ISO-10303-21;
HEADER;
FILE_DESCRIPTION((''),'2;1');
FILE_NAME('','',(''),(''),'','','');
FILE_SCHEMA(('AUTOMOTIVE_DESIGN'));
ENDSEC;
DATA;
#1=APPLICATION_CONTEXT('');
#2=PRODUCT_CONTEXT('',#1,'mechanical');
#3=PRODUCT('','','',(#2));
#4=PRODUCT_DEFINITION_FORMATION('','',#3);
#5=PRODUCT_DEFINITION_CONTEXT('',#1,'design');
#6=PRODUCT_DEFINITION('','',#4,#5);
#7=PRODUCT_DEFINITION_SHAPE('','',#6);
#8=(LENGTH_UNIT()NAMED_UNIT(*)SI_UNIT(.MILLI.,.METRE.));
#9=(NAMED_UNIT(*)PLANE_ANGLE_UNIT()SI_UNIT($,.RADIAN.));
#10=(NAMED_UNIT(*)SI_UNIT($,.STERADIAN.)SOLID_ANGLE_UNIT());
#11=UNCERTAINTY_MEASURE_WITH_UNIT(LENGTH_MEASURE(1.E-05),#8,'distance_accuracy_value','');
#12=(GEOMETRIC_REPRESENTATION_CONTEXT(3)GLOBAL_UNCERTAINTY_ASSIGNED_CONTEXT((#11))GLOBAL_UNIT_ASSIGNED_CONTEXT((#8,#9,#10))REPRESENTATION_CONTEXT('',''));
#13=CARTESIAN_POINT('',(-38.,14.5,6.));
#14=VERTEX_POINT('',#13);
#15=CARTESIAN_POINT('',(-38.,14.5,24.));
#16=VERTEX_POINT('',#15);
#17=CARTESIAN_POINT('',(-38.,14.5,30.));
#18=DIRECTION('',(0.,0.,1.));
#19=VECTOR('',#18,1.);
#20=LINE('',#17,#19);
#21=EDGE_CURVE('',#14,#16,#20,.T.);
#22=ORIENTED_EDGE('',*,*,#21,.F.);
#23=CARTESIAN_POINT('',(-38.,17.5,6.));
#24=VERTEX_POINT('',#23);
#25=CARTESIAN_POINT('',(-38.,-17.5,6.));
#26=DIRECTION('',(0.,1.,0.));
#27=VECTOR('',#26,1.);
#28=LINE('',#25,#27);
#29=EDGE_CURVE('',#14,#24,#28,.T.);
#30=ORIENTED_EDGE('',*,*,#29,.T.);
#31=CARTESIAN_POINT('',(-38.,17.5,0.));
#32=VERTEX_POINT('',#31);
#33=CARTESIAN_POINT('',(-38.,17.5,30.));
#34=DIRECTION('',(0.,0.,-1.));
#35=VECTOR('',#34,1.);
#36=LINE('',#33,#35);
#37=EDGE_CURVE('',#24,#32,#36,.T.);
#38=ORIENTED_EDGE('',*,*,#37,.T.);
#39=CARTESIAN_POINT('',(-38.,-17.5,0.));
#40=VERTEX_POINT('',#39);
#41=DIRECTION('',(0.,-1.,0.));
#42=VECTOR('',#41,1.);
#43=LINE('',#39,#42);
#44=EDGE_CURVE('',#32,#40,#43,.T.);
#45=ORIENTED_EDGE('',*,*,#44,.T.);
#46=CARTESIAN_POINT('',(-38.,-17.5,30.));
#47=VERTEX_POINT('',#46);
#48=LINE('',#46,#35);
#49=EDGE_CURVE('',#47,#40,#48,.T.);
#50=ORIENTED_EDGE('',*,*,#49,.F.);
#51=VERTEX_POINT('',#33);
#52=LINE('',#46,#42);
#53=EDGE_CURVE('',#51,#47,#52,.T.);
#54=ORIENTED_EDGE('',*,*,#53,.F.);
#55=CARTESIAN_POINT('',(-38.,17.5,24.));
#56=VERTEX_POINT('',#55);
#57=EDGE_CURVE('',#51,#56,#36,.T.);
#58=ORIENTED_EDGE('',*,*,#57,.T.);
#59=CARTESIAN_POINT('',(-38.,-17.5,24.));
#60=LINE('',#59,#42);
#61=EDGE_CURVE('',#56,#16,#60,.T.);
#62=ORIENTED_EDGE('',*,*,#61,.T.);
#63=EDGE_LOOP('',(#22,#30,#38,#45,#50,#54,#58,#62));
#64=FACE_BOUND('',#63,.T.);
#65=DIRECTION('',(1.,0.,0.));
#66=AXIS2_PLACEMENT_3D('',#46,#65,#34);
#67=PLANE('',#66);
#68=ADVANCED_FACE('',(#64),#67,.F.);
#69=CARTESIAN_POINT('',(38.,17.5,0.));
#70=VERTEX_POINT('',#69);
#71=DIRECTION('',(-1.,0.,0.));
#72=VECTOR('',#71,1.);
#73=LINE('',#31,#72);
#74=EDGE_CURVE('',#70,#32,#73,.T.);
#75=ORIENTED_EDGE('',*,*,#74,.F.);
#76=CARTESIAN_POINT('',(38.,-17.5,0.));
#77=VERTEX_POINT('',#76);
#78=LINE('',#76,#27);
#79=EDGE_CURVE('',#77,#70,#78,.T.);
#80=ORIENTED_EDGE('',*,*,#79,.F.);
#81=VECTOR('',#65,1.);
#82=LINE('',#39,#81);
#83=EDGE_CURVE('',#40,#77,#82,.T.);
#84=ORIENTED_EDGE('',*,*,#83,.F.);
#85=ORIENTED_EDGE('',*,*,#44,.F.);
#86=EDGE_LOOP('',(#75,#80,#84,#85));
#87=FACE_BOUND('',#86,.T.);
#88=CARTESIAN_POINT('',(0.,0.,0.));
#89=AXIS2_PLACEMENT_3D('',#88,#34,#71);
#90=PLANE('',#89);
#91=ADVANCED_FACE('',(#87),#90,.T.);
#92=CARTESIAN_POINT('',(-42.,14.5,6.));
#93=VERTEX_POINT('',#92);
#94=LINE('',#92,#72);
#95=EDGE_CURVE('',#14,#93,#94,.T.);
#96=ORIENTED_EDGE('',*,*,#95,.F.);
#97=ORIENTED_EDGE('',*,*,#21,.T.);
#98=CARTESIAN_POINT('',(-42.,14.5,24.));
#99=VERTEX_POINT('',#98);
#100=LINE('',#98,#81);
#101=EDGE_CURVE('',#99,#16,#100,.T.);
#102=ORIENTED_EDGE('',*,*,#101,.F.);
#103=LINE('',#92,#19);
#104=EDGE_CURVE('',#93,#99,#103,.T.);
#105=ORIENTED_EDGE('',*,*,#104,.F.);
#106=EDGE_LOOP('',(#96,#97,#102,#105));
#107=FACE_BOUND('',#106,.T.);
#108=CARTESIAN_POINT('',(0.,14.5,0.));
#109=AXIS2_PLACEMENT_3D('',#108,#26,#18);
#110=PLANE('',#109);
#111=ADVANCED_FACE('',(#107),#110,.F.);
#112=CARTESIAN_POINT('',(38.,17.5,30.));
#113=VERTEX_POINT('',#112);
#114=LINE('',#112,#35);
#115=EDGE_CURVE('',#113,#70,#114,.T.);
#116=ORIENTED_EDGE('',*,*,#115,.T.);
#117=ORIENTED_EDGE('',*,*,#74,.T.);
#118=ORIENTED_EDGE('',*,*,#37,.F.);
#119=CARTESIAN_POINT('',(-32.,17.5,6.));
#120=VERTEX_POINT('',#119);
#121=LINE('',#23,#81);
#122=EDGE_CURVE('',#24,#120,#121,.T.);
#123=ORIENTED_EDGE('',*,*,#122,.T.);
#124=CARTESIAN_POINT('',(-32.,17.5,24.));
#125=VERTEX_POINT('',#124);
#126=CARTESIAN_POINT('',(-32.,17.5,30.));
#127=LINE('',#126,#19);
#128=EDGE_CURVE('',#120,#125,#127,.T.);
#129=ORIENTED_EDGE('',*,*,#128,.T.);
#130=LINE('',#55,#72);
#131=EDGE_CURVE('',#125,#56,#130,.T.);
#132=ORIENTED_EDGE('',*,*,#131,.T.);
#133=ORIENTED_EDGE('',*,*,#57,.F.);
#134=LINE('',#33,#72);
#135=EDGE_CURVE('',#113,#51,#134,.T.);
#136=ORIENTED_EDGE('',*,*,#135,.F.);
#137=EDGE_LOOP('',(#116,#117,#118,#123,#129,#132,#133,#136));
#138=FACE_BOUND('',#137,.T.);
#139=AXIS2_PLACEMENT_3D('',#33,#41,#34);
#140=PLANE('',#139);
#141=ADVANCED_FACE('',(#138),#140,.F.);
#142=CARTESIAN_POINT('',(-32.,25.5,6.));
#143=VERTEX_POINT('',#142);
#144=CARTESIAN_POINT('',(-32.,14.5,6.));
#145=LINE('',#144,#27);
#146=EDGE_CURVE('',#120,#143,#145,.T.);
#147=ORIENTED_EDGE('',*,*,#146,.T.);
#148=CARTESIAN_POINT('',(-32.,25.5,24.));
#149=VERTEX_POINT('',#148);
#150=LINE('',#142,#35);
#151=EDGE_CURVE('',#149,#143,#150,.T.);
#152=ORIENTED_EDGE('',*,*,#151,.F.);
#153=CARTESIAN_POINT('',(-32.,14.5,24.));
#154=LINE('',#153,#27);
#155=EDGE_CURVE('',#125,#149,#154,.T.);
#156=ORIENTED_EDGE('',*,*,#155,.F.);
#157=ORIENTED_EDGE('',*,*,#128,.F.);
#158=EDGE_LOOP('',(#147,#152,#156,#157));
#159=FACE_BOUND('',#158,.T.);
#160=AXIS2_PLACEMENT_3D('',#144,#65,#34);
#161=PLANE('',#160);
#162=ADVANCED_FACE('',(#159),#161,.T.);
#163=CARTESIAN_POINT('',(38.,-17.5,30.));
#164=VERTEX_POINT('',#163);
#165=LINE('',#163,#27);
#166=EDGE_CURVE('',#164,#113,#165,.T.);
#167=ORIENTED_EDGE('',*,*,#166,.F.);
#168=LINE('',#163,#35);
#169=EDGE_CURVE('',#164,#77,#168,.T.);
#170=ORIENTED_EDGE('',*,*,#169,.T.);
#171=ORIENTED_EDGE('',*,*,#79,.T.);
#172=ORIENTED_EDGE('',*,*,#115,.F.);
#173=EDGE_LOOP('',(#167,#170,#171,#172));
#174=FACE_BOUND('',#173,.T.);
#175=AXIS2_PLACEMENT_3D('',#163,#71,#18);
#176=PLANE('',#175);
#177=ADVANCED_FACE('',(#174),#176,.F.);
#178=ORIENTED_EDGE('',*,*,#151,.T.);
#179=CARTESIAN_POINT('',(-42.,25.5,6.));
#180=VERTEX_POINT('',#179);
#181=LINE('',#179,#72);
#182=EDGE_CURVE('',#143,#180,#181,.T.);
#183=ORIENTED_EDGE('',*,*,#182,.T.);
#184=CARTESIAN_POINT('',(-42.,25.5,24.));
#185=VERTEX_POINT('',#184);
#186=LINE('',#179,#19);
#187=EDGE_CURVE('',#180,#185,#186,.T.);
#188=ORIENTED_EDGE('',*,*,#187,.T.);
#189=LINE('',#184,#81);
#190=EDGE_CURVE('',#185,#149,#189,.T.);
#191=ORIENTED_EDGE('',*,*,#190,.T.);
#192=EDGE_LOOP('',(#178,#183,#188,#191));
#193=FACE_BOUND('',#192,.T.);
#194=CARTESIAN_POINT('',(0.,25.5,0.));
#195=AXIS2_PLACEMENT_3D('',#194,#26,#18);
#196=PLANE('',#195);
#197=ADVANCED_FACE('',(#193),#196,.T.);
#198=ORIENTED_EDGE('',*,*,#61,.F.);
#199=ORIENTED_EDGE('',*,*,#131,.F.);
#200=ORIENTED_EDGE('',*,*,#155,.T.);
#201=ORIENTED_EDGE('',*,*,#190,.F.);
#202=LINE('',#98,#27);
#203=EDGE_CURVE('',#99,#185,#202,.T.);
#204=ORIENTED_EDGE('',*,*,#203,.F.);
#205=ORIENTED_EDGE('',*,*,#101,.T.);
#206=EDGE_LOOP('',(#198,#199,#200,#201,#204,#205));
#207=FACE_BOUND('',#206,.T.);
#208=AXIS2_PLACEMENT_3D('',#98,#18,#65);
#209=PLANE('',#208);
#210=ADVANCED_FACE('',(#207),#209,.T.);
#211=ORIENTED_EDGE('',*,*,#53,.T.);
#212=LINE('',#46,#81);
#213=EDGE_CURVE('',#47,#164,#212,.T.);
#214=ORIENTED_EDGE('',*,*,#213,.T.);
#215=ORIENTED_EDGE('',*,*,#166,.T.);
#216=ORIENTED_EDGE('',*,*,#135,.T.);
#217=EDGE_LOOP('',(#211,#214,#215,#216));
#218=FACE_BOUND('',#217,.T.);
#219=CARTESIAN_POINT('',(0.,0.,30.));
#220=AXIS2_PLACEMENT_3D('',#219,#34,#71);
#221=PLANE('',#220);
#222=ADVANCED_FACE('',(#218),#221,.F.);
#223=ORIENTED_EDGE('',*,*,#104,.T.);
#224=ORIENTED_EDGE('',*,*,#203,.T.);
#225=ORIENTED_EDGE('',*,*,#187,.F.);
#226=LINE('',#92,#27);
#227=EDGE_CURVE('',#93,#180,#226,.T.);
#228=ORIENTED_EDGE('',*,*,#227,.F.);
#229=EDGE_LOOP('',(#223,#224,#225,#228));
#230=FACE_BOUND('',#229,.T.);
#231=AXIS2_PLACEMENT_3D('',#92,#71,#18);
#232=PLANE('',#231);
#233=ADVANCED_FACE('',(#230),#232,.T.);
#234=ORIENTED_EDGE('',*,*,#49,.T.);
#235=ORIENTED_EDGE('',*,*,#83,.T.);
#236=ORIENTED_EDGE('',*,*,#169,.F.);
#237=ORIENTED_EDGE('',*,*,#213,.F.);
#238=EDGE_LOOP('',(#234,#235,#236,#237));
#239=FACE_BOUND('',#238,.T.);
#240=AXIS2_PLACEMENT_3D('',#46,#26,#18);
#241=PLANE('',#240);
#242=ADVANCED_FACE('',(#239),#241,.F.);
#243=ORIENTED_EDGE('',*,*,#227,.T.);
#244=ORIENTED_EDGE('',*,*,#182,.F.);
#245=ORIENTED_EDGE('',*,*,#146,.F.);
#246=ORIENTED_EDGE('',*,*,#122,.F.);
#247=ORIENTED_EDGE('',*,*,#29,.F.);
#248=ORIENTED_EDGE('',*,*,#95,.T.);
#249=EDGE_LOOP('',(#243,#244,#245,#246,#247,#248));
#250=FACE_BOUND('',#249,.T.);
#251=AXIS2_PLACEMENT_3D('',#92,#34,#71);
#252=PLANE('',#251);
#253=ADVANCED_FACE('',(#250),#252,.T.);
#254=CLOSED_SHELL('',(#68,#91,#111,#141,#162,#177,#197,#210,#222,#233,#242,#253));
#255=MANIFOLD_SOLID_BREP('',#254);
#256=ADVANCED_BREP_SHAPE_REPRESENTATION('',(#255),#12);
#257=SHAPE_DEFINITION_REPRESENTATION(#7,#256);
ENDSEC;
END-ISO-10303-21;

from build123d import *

# Parameters (mm, degrees)
SKETCH1_W                = 76
SKETCH1_H                = 35
BOSS_EXTRUDE1_DEPTH      = 30
BOSS_EXTRUDE2_DEPTH      = 8
BOSS_EXTRUDE2_DEPTH_BACK = 3
SKETCH2_W                = 10
SKETCH2_H                = 18


with BuildPart() as part:
    # Sketch1 → Boss-Extrude1 (new body)
    with BuildSketch(Plane.XY):
        Rectangle(SKETCH1_W, SKETCH1_H)
    extrude(amount=BOSS_EXTRUDE1_DEPTH)

    # Sketch2 → Boss-Extrude2 (add, two sides: drawn at the far end of the back side and taken through both)
    with BuildSketch(Plane(origin=(0, 17.5, 0), x_dir=(1, 0, 0), z_dir=(0, 1, 0)).offset(-BOSS_EXTRUDE2_DEPTH_BACK)):
        with Locations((-37, -15)):
            Rectangle(SKETCH2_W, SKETCH2_H)
    extrude(amount=BOSS_EXTRUDE2_DEPTH + BOSS_EXTRUDE2_DEPTH_BACK)


solid = part.part
